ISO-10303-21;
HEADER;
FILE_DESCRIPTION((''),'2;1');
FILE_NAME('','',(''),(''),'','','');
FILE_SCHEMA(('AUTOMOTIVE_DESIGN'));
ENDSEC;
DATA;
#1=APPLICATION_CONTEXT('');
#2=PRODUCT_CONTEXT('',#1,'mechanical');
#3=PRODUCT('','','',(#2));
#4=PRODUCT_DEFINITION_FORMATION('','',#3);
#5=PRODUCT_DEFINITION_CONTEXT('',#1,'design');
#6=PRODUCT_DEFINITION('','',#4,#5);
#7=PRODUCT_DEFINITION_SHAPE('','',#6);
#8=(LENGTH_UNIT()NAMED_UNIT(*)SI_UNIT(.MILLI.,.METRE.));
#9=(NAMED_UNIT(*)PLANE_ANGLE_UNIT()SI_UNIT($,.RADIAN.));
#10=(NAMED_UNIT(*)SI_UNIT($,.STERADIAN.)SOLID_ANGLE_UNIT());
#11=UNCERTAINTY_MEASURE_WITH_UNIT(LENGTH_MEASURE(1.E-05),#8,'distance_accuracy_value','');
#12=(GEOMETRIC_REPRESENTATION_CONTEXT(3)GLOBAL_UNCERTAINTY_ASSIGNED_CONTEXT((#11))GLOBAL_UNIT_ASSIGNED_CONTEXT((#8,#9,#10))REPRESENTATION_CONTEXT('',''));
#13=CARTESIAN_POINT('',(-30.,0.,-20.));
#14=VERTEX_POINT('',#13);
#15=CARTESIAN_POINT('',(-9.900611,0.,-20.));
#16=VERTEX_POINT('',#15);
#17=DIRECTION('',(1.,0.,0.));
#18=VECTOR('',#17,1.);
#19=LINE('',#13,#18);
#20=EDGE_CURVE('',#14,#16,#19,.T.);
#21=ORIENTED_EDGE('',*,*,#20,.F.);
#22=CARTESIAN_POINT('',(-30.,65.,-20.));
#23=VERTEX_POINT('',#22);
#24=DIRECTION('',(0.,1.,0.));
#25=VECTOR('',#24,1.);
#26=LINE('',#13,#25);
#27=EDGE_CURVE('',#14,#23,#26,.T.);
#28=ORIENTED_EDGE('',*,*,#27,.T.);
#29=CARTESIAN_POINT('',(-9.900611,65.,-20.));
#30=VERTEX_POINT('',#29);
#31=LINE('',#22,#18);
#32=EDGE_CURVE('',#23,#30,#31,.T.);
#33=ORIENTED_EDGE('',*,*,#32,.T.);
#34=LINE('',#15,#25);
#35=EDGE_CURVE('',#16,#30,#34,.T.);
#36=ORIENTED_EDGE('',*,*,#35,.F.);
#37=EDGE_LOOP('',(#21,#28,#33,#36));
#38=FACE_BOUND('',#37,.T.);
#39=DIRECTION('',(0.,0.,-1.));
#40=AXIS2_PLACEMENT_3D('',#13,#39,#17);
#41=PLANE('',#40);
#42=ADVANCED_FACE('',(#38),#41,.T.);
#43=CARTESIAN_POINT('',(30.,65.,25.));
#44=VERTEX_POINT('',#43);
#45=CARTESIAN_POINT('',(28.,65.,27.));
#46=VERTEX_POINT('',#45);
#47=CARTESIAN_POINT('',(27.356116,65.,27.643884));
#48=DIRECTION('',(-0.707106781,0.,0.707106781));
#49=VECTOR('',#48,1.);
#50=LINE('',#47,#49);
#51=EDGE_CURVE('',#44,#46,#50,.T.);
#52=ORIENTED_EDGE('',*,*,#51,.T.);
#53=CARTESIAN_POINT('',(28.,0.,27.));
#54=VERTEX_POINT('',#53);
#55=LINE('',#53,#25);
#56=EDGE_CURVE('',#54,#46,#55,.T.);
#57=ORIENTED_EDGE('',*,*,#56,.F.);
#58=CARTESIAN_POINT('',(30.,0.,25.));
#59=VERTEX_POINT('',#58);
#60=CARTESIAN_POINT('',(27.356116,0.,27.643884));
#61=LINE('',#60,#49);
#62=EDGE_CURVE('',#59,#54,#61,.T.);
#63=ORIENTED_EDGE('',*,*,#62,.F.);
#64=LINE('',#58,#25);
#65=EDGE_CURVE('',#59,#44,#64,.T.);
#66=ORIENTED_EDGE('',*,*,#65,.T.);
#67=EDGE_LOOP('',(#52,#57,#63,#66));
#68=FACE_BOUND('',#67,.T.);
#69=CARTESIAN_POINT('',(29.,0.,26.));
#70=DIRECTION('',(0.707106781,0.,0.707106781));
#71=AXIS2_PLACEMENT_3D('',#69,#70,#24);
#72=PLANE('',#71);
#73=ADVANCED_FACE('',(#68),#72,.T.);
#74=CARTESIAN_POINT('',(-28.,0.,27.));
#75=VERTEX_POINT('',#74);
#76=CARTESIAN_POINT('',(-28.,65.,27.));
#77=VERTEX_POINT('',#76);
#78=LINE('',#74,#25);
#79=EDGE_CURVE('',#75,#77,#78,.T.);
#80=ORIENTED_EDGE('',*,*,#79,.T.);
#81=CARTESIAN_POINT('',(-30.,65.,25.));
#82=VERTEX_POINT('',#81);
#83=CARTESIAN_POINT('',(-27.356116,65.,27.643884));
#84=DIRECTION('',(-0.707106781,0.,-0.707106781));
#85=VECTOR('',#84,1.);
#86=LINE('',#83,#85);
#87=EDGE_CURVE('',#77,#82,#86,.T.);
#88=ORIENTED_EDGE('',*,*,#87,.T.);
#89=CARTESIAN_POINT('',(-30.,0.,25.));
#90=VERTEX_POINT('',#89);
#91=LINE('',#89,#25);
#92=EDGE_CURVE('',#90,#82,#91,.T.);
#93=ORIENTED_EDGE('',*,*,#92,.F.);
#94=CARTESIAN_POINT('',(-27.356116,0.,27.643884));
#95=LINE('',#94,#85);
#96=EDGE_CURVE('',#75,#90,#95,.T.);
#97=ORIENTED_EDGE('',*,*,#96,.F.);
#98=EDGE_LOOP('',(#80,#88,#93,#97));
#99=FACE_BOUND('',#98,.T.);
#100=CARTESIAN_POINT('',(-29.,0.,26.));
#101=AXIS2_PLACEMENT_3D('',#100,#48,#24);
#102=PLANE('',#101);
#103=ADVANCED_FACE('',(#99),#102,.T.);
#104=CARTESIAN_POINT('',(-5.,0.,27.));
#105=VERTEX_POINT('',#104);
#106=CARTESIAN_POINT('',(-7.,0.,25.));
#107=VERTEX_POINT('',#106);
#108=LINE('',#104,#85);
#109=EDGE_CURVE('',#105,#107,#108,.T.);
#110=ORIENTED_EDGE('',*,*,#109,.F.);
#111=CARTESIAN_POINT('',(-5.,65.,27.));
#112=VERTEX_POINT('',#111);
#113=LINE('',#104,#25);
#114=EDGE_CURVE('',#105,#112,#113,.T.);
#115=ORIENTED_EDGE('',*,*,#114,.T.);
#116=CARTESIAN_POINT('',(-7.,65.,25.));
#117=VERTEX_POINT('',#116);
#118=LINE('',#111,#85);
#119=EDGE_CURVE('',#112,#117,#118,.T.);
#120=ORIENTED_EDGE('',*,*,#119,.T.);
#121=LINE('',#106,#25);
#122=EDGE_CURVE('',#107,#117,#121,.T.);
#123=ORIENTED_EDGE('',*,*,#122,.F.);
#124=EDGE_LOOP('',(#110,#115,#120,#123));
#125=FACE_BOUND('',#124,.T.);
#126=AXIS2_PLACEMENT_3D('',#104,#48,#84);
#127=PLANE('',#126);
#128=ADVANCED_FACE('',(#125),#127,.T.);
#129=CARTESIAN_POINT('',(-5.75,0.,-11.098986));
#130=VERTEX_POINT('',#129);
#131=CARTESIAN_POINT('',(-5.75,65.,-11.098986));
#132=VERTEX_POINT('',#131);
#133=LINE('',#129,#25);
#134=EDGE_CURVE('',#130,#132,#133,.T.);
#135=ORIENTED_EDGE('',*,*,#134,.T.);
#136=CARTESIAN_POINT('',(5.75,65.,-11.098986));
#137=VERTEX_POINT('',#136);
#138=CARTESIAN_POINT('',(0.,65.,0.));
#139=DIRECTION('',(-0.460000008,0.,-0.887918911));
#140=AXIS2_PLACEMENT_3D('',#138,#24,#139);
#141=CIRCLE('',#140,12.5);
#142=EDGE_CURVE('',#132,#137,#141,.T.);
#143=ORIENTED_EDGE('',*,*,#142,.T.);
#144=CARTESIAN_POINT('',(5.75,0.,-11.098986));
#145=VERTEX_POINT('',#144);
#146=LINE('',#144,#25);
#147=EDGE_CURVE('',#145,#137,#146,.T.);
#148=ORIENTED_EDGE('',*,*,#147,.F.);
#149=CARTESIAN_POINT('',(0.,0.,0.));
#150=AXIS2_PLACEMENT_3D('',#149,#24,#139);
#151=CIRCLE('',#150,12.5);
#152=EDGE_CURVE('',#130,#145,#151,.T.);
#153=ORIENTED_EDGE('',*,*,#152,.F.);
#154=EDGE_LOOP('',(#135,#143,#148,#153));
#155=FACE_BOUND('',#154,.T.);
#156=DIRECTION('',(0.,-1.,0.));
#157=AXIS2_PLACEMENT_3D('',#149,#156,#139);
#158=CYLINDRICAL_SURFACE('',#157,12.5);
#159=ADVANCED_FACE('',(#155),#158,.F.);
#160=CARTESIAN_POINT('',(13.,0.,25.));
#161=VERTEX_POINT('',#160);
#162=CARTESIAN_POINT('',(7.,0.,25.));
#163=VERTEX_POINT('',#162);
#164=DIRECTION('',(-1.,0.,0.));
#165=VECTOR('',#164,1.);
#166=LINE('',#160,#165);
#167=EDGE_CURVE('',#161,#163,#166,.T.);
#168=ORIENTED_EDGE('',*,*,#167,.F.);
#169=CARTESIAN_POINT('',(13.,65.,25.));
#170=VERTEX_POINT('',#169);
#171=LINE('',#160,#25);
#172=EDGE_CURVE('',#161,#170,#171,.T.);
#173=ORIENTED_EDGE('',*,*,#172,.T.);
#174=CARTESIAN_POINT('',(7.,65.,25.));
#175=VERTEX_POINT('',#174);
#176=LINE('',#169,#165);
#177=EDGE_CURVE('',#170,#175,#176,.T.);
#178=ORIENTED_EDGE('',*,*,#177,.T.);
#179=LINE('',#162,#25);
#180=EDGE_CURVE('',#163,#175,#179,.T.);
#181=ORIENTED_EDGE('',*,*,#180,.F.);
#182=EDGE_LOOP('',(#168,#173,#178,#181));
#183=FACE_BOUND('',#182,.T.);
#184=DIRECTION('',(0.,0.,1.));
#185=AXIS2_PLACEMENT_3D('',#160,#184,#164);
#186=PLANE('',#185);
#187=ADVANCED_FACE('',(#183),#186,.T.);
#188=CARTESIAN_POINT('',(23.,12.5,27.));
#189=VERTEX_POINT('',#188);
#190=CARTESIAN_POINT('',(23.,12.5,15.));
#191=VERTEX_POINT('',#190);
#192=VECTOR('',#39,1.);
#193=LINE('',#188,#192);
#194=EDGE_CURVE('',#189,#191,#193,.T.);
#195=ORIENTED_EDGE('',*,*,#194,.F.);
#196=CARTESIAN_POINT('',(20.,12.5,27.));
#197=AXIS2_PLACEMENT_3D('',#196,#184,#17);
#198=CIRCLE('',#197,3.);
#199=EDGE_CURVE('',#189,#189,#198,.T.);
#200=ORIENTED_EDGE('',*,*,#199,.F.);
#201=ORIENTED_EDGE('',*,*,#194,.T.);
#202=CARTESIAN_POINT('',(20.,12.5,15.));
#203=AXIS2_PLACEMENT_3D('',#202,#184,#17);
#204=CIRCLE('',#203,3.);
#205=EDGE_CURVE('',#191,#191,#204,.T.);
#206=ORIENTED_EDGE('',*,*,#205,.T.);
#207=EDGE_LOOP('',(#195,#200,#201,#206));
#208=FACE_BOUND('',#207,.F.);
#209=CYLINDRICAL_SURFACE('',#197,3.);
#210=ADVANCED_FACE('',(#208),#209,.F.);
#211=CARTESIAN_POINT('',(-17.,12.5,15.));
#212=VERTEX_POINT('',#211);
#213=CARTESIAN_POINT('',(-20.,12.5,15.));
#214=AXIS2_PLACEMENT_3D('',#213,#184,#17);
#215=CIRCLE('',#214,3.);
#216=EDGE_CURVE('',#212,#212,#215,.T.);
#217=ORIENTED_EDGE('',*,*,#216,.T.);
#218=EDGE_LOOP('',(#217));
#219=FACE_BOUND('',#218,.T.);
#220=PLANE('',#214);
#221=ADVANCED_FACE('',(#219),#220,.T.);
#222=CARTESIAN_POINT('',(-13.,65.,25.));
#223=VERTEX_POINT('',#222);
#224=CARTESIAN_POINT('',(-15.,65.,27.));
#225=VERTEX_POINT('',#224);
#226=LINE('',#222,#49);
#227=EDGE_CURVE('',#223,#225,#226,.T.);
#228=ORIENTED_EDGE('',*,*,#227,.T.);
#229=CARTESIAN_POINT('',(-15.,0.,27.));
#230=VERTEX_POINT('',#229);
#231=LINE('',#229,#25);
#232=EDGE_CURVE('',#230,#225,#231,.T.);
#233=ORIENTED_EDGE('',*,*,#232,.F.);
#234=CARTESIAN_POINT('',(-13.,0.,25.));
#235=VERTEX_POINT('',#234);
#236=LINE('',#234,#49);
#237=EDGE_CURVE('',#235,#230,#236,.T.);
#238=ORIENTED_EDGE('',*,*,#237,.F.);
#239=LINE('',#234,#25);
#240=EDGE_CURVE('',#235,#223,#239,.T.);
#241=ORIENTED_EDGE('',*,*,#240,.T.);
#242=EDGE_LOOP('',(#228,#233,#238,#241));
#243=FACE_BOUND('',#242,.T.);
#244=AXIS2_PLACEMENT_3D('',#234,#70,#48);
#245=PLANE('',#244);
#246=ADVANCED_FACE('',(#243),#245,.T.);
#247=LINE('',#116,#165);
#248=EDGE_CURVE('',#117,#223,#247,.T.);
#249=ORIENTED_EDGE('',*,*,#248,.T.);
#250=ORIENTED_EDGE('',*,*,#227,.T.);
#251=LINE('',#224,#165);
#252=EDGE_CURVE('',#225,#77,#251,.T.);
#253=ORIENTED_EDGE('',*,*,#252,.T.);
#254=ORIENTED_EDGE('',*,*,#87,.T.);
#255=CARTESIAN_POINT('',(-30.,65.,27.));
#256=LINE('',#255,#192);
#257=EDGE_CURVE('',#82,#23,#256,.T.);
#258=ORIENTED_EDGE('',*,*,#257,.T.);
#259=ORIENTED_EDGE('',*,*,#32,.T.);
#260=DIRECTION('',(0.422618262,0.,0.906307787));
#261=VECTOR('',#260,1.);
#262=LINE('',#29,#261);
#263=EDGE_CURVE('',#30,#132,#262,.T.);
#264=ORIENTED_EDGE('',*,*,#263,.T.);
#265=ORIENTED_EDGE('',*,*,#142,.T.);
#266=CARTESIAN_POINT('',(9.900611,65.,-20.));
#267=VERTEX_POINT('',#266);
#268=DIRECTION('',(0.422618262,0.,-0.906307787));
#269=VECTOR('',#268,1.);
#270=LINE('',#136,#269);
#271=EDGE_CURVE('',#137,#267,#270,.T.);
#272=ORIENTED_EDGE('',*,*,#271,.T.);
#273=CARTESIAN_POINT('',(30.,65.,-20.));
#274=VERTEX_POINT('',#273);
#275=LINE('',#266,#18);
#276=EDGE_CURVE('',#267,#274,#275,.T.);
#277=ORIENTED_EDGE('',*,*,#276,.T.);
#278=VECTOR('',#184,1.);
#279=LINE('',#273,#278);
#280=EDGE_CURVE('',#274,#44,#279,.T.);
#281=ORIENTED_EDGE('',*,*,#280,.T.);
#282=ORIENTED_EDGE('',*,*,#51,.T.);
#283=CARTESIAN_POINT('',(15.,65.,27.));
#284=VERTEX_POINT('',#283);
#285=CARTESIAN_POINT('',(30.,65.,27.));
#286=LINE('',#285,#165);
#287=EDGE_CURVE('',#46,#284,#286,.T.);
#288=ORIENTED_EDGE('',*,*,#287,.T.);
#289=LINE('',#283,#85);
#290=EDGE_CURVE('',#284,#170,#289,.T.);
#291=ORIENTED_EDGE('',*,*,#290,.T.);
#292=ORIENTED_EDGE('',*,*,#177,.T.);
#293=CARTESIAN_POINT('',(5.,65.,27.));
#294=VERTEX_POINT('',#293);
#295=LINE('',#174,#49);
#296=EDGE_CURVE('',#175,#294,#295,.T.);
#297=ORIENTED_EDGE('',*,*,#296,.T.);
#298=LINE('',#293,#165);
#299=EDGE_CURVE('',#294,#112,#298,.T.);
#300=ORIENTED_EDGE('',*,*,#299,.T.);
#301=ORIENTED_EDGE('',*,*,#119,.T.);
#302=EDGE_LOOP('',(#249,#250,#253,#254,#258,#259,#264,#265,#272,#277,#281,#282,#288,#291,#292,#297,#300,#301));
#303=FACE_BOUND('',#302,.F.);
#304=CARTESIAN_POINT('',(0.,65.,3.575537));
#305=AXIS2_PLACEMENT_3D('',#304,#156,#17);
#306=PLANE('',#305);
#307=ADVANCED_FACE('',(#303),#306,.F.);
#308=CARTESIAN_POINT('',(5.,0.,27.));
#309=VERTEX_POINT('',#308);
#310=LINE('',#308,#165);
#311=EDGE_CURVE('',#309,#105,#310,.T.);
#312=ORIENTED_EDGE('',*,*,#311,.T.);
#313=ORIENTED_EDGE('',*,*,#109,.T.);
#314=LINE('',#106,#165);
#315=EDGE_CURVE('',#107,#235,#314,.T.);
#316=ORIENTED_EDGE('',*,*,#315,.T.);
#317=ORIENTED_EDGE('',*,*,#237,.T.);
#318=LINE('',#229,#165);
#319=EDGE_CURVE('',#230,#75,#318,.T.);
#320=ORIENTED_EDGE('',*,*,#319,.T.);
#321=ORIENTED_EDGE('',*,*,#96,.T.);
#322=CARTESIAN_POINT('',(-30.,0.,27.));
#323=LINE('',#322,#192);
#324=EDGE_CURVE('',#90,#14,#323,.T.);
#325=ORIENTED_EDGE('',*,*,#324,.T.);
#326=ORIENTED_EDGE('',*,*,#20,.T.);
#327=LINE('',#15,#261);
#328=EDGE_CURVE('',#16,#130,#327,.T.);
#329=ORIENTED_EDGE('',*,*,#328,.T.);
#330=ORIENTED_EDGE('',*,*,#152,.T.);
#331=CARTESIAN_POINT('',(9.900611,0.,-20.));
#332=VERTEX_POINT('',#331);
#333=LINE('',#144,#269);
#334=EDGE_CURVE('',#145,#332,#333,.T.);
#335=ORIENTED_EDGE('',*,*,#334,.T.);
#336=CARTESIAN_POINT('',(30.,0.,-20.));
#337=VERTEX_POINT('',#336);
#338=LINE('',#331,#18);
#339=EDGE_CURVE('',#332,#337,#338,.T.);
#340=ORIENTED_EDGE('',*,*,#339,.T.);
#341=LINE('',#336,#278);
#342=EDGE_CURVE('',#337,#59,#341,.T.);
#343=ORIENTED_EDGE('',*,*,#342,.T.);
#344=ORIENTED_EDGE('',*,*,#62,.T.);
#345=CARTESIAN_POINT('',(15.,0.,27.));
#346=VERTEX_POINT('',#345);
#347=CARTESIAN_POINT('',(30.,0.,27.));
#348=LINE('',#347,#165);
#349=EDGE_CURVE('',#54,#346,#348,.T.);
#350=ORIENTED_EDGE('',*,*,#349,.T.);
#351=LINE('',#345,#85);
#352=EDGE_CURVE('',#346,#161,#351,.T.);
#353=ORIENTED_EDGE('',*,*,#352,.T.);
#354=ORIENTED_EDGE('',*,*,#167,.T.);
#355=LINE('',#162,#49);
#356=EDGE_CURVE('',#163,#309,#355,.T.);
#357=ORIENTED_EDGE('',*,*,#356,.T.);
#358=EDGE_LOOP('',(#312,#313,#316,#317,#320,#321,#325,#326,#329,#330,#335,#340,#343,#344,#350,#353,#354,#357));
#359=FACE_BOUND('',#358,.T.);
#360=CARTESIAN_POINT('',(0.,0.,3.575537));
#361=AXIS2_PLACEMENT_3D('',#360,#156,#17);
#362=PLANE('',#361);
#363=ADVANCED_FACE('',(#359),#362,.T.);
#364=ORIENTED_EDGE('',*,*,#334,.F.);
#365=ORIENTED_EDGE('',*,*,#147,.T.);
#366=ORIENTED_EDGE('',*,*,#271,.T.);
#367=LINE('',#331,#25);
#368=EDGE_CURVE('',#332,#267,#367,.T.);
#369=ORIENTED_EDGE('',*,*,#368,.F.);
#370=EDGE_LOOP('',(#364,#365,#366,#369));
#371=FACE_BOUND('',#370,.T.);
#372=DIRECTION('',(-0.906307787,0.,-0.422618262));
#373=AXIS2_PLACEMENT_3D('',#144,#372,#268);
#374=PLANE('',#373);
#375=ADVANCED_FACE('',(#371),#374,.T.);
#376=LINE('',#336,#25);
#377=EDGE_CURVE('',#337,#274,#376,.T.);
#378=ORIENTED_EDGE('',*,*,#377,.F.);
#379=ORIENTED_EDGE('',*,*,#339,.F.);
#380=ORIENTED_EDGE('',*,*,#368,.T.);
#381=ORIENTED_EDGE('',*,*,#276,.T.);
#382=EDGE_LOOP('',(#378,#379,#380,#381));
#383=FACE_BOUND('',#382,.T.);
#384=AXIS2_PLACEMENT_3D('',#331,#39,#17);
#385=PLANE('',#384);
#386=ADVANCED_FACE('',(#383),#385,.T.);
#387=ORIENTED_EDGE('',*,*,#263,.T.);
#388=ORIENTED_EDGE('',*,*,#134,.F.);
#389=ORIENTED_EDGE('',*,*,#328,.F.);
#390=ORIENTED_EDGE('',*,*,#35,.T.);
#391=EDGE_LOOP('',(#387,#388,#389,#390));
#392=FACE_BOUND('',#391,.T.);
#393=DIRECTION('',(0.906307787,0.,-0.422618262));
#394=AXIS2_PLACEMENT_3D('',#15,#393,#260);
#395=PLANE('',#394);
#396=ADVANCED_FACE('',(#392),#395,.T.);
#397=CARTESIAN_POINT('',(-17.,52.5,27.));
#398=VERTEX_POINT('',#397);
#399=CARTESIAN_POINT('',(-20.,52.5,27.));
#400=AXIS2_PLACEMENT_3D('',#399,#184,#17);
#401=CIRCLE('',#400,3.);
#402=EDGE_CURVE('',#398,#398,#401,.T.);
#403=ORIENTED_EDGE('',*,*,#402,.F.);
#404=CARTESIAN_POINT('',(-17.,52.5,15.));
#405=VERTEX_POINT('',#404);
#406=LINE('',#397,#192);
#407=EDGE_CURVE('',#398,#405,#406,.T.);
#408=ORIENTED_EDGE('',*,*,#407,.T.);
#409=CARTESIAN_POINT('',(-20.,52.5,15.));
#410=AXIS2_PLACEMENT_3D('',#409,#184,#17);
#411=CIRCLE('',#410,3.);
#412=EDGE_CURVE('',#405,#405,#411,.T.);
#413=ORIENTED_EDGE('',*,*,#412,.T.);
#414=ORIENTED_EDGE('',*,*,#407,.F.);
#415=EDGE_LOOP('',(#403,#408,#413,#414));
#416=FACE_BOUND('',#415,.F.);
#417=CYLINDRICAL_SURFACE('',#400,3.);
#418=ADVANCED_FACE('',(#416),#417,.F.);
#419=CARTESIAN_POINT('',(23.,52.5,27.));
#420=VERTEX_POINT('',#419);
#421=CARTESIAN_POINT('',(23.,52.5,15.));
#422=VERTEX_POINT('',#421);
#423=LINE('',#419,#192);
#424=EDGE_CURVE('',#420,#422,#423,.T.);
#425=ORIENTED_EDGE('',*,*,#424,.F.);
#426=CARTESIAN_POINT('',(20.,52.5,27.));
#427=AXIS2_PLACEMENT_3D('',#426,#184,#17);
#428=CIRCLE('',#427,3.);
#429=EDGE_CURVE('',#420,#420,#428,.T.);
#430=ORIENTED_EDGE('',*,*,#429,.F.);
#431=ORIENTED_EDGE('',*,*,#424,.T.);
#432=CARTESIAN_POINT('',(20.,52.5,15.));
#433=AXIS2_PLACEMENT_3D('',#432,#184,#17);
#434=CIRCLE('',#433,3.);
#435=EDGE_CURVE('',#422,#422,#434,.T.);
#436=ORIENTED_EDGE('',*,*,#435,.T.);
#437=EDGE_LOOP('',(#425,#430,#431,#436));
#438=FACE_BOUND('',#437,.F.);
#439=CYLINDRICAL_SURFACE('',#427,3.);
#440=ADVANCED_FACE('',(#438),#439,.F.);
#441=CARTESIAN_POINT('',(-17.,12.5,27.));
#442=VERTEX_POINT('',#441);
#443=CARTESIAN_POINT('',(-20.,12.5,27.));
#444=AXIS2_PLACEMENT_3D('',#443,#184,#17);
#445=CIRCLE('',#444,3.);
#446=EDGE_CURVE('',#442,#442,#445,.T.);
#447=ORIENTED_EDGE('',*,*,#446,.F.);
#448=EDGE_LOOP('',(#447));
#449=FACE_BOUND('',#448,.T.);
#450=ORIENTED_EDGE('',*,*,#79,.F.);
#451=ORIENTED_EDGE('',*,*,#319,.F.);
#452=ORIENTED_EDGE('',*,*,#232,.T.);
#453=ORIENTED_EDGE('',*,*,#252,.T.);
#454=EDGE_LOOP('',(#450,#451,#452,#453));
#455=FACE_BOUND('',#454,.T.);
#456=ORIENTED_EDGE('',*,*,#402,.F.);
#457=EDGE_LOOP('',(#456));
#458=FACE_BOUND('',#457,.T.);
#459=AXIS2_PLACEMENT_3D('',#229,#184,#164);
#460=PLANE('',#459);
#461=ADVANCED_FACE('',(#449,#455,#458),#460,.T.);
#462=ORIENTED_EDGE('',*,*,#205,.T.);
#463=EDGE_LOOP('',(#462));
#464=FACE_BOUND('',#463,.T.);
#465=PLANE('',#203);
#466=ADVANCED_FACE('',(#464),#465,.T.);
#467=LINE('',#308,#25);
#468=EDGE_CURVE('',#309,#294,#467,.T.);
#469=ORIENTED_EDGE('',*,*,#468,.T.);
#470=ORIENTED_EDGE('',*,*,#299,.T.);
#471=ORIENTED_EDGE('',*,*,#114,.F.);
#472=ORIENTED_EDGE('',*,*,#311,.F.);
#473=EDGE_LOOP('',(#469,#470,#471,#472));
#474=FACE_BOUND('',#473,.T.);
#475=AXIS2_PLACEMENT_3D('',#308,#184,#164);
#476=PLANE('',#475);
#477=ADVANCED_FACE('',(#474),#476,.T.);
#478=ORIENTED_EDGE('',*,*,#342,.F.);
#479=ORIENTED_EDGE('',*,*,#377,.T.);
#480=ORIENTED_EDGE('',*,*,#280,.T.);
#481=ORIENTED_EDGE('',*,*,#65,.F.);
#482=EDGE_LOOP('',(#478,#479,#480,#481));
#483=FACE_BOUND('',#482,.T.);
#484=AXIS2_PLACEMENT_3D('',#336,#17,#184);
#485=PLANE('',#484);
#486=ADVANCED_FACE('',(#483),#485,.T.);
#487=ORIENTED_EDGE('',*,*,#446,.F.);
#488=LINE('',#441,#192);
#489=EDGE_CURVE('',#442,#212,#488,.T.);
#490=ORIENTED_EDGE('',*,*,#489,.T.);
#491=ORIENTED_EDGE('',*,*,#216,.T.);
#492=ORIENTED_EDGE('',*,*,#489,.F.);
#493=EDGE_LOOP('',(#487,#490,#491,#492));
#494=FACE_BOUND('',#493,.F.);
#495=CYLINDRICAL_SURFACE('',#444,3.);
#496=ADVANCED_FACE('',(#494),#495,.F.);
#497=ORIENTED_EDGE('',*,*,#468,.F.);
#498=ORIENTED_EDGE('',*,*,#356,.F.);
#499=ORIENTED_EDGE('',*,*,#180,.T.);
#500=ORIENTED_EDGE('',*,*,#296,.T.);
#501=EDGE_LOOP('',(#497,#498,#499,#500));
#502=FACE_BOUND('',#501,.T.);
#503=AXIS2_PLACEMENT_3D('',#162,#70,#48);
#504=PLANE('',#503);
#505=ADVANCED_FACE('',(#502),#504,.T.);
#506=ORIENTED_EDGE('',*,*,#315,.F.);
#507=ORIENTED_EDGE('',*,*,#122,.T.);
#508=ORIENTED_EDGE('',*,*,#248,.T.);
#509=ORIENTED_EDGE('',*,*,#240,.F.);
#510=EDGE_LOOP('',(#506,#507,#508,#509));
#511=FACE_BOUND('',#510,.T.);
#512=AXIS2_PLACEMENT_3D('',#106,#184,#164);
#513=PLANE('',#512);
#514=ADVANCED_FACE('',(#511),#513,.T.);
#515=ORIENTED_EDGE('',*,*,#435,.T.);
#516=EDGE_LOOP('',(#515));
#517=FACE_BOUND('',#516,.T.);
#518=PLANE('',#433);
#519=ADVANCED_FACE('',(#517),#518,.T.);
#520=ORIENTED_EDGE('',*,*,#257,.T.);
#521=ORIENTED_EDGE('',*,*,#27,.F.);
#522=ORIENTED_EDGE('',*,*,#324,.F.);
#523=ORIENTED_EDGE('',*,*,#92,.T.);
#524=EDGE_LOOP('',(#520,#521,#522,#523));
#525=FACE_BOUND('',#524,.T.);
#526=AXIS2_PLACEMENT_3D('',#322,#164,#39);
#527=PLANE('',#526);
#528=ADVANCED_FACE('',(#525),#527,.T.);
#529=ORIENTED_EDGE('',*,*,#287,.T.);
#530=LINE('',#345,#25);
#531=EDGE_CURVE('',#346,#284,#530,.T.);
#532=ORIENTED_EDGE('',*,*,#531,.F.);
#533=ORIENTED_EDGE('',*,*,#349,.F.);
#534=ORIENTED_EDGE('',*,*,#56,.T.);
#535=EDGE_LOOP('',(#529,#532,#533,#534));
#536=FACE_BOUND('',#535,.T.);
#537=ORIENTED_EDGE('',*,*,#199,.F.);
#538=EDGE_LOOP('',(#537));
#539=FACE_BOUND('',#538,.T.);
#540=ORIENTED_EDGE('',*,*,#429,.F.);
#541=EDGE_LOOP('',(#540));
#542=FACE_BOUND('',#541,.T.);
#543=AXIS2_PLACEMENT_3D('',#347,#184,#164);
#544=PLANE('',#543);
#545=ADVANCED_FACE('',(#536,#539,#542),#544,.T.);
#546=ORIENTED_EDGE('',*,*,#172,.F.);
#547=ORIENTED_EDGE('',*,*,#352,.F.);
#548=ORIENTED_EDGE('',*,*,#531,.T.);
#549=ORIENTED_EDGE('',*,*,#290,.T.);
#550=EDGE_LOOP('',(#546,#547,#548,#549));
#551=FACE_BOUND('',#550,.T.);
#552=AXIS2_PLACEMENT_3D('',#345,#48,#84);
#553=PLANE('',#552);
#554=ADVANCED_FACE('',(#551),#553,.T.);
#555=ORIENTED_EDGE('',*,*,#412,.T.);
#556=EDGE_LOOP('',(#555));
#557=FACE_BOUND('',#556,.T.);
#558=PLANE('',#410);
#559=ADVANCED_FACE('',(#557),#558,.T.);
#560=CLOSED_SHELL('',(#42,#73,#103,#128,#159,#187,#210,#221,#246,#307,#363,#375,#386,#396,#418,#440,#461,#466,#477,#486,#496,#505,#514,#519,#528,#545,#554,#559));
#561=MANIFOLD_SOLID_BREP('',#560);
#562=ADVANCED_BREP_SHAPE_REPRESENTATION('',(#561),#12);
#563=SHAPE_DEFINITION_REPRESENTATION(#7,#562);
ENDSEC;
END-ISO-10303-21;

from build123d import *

# Parameters (mm, degrees)
F1_DEPTH = 65
F3_SIZE  = 2
F2_R     = 3
F4_DEPTH = 12


with BuildPart() as f1:
    # F0 (on Front) → F1 (new body)
    with BuildSketch(Plane.XZ):
        with BuildLine():
            ThreePointArc((-5.75, -11.098986), (0, 12.5), (5.75, -11.098986))
            Line((5.75, -11.098986), (9.900611, -20))
            Line((9.900611, -20), (30, -20))
            Line((30, -20), (30, -11.098986))
            Line((30, -11.098986), (30, 27))
            Line((30, 27), (15, 27))
            Line((15, 27), (13, 25))
            Line((13, 25), (7, 25))
            Line((7, 25), (5, 27))
            Line((5, 27), (0, 27))
            Line((0, 27), (-5, 27))
            Line((-5, 27), (-7, 25))
            Line((-7, 25), (-13, 25))
            Line((-13, 25), (-15, 27))
            Line((-15, 27), (-30, 27))
            Line((-30, 27), (-30, -11.098986))
            Line((-30, -11.098986), (-30, -20))
            Line((-30, -20), (-9.900611, -20))
            Line((-9.900611, -20), (-5.75, -11.098986))
        make_face()
    extrude(amount=-F1_DEPTH)

    # F3
    f3_edges = [f1.edges().sort_by_distance(p)[0] for p in [
        (30, 32.5, 27),
        (-30, 32.5, 27),
    ]]
    chamfer(f3_edges, length=F3_SIZE)

    # F2 (on face) → F4 (cut)
    with BuildSketch(Plane.XY.offset(27)):
        with Locations((-20, 52.5)):
            Circle(F2_R)
        with Locations((-20, 12.5)):
            Circle(F2_R)
        with Locations((20, 52.5)):
            Circle(F2_R)
        with Locations((20, 12.5)):
            Circle(F2_R)
    extrude(amount=-F4_DEPTH, mode=Mode.SUBTRACT)


solid = f1.part
